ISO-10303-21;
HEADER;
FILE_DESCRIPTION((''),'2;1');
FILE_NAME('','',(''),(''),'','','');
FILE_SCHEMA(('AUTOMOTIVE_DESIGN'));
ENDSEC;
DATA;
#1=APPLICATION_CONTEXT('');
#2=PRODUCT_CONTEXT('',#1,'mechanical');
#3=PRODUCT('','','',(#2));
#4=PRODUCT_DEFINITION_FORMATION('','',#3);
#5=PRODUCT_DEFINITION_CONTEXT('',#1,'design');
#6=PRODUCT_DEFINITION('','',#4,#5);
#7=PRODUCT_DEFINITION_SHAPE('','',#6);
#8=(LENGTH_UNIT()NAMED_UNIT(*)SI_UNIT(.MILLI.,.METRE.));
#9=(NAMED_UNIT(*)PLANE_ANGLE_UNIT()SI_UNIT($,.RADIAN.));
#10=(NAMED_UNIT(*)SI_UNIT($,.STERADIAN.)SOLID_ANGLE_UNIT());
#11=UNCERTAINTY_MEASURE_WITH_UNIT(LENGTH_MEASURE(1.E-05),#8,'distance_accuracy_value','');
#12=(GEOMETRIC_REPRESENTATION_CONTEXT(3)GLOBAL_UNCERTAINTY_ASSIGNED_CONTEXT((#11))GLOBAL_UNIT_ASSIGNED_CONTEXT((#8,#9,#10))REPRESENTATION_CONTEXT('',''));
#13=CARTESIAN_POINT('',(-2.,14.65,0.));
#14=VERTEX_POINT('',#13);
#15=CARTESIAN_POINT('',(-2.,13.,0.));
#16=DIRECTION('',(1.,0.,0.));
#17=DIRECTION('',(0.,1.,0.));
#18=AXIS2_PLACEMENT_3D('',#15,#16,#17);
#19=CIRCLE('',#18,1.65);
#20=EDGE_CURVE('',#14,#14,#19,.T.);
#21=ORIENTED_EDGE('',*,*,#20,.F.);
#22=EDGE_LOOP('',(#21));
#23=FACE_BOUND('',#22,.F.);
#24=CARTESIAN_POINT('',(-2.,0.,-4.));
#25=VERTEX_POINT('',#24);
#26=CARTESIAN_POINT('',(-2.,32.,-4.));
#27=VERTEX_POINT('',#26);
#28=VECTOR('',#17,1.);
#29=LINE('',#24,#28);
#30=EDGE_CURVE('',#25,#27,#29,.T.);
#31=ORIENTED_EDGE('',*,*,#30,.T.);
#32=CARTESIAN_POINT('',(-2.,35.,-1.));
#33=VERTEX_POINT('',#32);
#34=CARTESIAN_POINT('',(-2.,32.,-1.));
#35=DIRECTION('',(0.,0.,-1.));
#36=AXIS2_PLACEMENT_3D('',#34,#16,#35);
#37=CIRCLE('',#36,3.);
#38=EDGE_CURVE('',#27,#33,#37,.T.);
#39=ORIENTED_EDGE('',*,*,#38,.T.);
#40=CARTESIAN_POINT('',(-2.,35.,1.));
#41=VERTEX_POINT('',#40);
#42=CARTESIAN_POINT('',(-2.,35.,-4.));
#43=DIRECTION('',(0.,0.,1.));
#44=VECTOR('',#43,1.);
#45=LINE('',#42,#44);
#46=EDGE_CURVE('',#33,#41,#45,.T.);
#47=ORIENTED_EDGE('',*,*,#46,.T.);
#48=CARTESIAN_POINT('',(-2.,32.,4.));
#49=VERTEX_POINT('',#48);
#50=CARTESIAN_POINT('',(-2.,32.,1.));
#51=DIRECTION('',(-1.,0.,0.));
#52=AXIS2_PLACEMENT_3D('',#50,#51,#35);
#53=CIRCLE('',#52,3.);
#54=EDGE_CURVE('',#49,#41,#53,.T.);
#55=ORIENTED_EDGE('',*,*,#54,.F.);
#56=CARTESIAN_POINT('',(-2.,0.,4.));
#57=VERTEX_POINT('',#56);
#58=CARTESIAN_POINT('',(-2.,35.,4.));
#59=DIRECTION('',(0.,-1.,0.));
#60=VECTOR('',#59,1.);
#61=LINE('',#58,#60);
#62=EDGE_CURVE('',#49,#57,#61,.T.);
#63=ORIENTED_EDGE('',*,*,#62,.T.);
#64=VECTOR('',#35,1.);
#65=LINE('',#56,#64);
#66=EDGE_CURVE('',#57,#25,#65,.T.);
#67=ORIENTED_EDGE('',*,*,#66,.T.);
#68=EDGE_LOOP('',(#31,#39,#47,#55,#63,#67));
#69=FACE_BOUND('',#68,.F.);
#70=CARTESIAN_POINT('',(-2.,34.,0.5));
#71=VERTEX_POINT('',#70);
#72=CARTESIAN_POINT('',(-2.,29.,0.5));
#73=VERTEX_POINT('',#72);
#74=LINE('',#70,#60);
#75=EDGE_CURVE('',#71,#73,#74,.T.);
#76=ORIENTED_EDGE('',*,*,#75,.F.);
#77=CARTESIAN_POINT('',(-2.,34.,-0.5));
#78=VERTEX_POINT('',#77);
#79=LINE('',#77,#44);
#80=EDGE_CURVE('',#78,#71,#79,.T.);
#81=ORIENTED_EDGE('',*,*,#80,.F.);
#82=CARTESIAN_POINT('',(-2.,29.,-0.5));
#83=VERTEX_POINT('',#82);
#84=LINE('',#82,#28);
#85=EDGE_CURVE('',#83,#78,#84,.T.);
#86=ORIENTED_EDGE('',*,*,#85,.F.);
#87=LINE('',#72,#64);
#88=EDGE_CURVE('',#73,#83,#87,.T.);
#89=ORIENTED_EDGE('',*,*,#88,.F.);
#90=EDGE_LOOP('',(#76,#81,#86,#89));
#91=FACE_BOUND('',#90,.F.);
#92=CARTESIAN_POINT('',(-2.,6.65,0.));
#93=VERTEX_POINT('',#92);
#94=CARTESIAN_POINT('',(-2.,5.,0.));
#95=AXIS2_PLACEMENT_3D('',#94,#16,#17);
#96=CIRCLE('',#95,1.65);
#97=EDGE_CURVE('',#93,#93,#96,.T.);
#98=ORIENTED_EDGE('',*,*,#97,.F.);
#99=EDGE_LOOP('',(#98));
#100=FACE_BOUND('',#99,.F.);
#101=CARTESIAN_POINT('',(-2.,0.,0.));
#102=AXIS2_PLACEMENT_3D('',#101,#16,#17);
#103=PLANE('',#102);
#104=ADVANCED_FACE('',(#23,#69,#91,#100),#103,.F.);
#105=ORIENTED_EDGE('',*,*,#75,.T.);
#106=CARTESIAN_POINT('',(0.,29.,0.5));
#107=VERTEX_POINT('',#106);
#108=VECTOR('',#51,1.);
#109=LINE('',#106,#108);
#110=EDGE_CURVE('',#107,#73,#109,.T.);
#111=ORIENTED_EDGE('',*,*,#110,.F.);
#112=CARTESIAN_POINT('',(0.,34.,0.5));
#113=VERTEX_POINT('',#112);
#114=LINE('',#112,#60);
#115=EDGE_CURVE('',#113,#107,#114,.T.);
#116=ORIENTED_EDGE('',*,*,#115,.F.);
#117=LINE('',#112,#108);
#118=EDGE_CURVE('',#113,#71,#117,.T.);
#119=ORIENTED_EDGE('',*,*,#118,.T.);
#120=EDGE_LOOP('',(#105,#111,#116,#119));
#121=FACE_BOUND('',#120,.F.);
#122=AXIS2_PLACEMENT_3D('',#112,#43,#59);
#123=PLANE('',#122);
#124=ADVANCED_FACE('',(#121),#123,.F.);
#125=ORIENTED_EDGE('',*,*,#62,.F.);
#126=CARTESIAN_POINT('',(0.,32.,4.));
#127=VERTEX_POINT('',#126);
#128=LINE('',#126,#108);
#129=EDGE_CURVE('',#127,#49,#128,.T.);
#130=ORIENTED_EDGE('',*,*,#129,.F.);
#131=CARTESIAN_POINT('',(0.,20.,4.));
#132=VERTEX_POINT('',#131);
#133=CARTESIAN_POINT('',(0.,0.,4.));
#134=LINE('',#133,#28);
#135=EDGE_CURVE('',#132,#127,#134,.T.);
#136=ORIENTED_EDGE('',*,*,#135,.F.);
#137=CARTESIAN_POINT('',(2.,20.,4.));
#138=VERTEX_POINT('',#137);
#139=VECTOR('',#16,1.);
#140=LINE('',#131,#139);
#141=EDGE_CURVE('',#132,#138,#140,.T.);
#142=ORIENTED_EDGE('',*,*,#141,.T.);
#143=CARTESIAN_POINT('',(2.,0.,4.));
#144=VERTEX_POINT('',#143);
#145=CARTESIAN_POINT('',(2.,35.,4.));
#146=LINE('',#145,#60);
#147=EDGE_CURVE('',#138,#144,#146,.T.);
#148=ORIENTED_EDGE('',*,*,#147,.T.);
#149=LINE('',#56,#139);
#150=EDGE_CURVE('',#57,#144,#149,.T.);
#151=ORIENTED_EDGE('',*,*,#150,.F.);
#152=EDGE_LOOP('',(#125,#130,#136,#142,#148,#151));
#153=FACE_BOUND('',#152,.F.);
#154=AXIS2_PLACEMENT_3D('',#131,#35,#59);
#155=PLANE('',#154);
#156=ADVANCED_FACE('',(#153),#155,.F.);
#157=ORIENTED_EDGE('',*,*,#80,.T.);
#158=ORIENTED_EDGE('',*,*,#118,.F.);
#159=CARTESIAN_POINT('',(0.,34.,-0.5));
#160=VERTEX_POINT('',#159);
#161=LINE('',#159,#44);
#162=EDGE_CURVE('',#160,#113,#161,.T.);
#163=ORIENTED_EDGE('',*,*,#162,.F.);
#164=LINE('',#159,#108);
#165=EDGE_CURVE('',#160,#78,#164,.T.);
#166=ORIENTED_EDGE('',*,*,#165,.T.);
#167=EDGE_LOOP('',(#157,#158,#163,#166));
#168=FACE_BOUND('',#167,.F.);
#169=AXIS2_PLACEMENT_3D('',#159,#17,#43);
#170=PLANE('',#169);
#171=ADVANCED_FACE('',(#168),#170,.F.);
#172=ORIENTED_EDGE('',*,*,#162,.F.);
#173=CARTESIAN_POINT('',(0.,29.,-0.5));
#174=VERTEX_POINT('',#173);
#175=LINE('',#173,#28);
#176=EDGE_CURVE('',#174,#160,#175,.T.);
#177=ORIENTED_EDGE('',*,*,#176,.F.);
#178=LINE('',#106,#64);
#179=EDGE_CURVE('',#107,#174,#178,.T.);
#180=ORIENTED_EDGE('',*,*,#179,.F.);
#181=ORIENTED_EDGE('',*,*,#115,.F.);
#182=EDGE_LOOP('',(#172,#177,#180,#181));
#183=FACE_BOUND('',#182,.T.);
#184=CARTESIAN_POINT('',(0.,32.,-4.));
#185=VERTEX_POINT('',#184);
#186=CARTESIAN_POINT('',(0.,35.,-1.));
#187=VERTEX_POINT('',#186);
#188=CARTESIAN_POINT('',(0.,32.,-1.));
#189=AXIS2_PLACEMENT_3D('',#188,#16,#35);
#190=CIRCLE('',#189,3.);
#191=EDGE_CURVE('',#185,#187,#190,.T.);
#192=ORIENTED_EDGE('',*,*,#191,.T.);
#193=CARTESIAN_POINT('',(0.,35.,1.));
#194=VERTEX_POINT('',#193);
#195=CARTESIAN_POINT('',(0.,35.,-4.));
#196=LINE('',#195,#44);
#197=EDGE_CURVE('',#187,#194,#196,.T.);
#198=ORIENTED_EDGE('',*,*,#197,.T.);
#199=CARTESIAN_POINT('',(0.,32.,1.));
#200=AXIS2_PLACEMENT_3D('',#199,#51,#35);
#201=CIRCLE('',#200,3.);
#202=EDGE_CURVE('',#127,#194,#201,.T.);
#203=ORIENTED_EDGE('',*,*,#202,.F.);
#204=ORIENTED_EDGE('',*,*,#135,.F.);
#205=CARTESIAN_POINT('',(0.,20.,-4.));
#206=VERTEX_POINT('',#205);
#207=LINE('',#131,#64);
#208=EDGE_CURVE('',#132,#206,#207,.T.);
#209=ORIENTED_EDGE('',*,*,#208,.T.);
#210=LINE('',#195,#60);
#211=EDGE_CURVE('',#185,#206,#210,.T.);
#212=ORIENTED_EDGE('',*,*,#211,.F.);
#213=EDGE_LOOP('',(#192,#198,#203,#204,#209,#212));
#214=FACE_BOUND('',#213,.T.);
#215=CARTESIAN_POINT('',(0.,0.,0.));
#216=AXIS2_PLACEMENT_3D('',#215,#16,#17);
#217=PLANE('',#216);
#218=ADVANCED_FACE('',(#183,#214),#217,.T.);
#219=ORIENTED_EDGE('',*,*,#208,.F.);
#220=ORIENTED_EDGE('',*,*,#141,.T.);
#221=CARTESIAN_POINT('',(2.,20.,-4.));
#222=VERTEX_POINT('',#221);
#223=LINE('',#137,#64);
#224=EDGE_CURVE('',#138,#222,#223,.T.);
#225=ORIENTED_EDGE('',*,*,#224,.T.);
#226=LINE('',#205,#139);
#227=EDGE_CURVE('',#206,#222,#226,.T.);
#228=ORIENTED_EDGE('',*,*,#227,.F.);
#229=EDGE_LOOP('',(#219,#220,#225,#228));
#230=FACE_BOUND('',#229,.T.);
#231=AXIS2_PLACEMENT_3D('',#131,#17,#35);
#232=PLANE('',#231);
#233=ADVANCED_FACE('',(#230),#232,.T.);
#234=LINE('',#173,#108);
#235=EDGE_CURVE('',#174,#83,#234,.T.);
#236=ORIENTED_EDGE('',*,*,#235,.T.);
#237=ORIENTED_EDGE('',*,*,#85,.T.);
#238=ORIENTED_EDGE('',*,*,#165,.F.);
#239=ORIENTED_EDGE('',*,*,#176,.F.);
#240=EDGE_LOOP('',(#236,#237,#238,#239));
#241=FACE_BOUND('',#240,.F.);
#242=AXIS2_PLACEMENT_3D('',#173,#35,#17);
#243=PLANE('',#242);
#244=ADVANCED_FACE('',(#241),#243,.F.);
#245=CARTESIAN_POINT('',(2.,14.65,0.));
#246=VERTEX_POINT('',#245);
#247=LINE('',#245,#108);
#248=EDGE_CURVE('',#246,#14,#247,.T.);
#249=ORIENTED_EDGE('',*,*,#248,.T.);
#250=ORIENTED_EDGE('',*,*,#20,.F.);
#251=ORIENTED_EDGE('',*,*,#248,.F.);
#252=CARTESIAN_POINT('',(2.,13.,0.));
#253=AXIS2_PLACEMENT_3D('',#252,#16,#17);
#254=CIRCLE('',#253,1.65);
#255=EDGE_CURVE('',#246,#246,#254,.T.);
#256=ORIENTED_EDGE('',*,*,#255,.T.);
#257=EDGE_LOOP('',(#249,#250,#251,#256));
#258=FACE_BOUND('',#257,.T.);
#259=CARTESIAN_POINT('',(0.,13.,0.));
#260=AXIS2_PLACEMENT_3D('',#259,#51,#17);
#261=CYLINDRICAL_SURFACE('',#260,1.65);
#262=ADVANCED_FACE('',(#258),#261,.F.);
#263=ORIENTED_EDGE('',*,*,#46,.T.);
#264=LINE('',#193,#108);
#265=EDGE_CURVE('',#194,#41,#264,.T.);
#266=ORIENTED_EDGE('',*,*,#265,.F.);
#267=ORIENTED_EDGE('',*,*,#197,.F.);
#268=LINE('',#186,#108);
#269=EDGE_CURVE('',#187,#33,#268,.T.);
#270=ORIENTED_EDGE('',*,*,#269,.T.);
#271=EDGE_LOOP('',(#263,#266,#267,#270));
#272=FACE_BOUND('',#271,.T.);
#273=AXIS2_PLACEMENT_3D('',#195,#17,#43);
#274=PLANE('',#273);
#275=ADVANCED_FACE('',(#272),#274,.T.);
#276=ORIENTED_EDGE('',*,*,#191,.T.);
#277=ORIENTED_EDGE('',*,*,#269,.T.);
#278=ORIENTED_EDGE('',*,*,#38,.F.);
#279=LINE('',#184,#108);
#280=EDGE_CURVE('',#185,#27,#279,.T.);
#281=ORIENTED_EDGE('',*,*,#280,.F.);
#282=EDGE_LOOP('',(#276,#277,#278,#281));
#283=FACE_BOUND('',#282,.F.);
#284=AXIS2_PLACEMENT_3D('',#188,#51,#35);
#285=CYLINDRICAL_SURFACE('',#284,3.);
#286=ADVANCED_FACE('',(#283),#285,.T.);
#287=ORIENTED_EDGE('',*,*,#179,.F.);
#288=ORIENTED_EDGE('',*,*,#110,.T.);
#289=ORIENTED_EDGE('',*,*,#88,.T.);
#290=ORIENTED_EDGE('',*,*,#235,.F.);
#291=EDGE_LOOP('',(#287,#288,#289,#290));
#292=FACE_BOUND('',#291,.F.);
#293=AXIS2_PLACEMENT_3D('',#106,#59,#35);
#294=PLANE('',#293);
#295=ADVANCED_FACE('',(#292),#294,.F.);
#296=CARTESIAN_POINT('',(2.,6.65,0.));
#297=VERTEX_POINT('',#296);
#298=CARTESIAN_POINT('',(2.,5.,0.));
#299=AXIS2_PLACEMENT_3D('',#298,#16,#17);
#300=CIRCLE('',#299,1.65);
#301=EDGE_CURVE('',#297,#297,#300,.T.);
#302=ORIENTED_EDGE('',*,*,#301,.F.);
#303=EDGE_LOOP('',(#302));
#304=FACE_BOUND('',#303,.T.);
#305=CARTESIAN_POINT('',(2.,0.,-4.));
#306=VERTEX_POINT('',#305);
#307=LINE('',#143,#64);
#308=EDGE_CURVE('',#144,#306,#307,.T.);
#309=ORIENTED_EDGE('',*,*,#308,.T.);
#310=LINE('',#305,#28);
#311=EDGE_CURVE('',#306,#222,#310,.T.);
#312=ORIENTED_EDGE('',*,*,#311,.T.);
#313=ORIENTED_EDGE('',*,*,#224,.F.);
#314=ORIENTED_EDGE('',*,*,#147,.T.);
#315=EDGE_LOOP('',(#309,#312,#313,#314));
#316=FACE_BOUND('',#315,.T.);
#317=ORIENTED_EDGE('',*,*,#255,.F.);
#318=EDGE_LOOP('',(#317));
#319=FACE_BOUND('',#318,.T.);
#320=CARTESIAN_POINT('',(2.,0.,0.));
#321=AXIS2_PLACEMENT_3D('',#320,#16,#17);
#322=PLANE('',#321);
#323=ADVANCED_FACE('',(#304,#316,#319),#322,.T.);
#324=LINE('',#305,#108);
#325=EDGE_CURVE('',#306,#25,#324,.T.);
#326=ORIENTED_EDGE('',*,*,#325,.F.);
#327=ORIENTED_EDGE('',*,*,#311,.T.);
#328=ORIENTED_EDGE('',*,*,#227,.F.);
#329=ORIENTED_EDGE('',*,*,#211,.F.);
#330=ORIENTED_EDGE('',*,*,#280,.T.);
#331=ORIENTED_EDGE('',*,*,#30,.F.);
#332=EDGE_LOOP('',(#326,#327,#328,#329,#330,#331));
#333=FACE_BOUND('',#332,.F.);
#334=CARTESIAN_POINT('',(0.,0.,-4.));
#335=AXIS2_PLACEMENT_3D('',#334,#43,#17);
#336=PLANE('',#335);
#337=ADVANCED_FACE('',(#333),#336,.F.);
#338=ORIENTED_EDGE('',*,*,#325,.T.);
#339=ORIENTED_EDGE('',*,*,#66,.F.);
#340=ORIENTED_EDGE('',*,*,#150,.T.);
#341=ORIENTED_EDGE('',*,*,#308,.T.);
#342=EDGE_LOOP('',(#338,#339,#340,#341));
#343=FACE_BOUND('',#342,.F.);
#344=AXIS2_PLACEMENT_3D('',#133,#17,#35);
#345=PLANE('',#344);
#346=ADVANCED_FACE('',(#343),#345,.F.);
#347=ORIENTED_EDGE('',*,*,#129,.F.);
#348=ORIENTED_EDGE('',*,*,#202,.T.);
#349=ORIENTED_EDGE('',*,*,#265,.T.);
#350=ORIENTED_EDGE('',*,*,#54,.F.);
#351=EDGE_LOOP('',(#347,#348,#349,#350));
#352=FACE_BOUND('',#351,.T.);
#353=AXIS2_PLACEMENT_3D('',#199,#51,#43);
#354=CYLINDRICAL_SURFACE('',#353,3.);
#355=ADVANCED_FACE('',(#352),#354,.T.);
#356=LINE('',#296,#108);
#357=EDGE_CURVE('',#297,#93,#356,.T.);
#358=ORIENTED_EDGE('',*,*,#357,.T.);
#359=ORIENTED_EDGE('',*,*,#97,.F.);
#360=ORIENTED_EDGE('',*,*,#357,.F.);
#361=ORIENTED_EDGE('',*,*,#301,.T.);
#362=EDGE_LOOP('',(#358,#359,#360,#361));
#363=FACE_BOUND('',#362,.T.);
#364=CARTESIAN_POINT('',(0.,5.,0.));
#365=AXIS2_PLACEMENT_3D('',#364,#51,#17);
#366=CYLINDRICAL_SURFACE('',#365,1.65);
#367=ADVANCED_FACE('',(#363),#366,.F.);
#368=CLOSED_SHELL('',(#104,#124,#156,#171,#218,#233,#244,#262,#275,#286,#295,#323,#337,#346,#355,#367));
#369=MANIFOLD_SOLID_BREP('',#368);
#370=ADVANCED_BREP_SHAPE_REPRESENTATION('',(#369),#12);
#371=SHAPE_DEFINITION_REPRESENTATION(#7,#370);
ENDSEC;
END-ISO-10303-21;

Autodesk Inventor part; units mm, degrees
ref_plane "YZ Plane" through (0, 0, 0) normal (1, 0, 0) x (0, 1, 0)
ref_plane "XZ Plane" through (0, 0, 0) normal (0, 1, 0) x (-1, 0, 0)
ref_plane "XY Plane" through (0, 0, 0) normal (0, 0, 1) x (1, 0, 0)
sketch "Sketch1" plane through (0, 0, 0) normal (1, 0, 0) x (0, 1, 0)
  line L0 (35, 4) -> (0, 4)
  line L1 (0, 4) -> (0, -4)
  line L2 (0, -4) -> (35, -4)
  line L3 (35, -4) -> (35, 4)
  line L4 (34, 0.5) -> (29, 0.5)
  line L5 (29, 0.5) -> (29, -0.5)
  line L6 (29, -0.5) -> (34, -0.5)
  line L7 (34, -0.5) -> (34, 0.5)
  line L8 (20, 4) -> (20, -4)
  circle A0 centre (13, 0) radius 1.65
  circle A1 centre (5, 0) radius 1.65
  point P0 (0, 0)
  point P1 (0, 0)
  point P2 (29, 0)
  point P3 (20, 0)
  dimension "d0" = 8
  dimension "d2" = 1
  dimension "d3" = 1
  dimension "d4" = 5
  dimension "d5" = 20
  dimension "d6" = 15
  dimension "d7" = 3.3
  dimension "d8" = 3.3
  dimension "d9" = 7
  dimension "d10" = 8
extrude "Extrusion1" add sketch "Sketch1" along normal blind 2 contours L8 L2 L1 L0
extrude "Extrusion2" add sketch "Sketch1" against normal blind 2
fillet "Fillet1" radius 3 2 edges at (-1, 35, 4) (-1, 35, -4)
properties part number "MUESCA_DETECCION_CERO" material "Steel, Mild, Welded"
